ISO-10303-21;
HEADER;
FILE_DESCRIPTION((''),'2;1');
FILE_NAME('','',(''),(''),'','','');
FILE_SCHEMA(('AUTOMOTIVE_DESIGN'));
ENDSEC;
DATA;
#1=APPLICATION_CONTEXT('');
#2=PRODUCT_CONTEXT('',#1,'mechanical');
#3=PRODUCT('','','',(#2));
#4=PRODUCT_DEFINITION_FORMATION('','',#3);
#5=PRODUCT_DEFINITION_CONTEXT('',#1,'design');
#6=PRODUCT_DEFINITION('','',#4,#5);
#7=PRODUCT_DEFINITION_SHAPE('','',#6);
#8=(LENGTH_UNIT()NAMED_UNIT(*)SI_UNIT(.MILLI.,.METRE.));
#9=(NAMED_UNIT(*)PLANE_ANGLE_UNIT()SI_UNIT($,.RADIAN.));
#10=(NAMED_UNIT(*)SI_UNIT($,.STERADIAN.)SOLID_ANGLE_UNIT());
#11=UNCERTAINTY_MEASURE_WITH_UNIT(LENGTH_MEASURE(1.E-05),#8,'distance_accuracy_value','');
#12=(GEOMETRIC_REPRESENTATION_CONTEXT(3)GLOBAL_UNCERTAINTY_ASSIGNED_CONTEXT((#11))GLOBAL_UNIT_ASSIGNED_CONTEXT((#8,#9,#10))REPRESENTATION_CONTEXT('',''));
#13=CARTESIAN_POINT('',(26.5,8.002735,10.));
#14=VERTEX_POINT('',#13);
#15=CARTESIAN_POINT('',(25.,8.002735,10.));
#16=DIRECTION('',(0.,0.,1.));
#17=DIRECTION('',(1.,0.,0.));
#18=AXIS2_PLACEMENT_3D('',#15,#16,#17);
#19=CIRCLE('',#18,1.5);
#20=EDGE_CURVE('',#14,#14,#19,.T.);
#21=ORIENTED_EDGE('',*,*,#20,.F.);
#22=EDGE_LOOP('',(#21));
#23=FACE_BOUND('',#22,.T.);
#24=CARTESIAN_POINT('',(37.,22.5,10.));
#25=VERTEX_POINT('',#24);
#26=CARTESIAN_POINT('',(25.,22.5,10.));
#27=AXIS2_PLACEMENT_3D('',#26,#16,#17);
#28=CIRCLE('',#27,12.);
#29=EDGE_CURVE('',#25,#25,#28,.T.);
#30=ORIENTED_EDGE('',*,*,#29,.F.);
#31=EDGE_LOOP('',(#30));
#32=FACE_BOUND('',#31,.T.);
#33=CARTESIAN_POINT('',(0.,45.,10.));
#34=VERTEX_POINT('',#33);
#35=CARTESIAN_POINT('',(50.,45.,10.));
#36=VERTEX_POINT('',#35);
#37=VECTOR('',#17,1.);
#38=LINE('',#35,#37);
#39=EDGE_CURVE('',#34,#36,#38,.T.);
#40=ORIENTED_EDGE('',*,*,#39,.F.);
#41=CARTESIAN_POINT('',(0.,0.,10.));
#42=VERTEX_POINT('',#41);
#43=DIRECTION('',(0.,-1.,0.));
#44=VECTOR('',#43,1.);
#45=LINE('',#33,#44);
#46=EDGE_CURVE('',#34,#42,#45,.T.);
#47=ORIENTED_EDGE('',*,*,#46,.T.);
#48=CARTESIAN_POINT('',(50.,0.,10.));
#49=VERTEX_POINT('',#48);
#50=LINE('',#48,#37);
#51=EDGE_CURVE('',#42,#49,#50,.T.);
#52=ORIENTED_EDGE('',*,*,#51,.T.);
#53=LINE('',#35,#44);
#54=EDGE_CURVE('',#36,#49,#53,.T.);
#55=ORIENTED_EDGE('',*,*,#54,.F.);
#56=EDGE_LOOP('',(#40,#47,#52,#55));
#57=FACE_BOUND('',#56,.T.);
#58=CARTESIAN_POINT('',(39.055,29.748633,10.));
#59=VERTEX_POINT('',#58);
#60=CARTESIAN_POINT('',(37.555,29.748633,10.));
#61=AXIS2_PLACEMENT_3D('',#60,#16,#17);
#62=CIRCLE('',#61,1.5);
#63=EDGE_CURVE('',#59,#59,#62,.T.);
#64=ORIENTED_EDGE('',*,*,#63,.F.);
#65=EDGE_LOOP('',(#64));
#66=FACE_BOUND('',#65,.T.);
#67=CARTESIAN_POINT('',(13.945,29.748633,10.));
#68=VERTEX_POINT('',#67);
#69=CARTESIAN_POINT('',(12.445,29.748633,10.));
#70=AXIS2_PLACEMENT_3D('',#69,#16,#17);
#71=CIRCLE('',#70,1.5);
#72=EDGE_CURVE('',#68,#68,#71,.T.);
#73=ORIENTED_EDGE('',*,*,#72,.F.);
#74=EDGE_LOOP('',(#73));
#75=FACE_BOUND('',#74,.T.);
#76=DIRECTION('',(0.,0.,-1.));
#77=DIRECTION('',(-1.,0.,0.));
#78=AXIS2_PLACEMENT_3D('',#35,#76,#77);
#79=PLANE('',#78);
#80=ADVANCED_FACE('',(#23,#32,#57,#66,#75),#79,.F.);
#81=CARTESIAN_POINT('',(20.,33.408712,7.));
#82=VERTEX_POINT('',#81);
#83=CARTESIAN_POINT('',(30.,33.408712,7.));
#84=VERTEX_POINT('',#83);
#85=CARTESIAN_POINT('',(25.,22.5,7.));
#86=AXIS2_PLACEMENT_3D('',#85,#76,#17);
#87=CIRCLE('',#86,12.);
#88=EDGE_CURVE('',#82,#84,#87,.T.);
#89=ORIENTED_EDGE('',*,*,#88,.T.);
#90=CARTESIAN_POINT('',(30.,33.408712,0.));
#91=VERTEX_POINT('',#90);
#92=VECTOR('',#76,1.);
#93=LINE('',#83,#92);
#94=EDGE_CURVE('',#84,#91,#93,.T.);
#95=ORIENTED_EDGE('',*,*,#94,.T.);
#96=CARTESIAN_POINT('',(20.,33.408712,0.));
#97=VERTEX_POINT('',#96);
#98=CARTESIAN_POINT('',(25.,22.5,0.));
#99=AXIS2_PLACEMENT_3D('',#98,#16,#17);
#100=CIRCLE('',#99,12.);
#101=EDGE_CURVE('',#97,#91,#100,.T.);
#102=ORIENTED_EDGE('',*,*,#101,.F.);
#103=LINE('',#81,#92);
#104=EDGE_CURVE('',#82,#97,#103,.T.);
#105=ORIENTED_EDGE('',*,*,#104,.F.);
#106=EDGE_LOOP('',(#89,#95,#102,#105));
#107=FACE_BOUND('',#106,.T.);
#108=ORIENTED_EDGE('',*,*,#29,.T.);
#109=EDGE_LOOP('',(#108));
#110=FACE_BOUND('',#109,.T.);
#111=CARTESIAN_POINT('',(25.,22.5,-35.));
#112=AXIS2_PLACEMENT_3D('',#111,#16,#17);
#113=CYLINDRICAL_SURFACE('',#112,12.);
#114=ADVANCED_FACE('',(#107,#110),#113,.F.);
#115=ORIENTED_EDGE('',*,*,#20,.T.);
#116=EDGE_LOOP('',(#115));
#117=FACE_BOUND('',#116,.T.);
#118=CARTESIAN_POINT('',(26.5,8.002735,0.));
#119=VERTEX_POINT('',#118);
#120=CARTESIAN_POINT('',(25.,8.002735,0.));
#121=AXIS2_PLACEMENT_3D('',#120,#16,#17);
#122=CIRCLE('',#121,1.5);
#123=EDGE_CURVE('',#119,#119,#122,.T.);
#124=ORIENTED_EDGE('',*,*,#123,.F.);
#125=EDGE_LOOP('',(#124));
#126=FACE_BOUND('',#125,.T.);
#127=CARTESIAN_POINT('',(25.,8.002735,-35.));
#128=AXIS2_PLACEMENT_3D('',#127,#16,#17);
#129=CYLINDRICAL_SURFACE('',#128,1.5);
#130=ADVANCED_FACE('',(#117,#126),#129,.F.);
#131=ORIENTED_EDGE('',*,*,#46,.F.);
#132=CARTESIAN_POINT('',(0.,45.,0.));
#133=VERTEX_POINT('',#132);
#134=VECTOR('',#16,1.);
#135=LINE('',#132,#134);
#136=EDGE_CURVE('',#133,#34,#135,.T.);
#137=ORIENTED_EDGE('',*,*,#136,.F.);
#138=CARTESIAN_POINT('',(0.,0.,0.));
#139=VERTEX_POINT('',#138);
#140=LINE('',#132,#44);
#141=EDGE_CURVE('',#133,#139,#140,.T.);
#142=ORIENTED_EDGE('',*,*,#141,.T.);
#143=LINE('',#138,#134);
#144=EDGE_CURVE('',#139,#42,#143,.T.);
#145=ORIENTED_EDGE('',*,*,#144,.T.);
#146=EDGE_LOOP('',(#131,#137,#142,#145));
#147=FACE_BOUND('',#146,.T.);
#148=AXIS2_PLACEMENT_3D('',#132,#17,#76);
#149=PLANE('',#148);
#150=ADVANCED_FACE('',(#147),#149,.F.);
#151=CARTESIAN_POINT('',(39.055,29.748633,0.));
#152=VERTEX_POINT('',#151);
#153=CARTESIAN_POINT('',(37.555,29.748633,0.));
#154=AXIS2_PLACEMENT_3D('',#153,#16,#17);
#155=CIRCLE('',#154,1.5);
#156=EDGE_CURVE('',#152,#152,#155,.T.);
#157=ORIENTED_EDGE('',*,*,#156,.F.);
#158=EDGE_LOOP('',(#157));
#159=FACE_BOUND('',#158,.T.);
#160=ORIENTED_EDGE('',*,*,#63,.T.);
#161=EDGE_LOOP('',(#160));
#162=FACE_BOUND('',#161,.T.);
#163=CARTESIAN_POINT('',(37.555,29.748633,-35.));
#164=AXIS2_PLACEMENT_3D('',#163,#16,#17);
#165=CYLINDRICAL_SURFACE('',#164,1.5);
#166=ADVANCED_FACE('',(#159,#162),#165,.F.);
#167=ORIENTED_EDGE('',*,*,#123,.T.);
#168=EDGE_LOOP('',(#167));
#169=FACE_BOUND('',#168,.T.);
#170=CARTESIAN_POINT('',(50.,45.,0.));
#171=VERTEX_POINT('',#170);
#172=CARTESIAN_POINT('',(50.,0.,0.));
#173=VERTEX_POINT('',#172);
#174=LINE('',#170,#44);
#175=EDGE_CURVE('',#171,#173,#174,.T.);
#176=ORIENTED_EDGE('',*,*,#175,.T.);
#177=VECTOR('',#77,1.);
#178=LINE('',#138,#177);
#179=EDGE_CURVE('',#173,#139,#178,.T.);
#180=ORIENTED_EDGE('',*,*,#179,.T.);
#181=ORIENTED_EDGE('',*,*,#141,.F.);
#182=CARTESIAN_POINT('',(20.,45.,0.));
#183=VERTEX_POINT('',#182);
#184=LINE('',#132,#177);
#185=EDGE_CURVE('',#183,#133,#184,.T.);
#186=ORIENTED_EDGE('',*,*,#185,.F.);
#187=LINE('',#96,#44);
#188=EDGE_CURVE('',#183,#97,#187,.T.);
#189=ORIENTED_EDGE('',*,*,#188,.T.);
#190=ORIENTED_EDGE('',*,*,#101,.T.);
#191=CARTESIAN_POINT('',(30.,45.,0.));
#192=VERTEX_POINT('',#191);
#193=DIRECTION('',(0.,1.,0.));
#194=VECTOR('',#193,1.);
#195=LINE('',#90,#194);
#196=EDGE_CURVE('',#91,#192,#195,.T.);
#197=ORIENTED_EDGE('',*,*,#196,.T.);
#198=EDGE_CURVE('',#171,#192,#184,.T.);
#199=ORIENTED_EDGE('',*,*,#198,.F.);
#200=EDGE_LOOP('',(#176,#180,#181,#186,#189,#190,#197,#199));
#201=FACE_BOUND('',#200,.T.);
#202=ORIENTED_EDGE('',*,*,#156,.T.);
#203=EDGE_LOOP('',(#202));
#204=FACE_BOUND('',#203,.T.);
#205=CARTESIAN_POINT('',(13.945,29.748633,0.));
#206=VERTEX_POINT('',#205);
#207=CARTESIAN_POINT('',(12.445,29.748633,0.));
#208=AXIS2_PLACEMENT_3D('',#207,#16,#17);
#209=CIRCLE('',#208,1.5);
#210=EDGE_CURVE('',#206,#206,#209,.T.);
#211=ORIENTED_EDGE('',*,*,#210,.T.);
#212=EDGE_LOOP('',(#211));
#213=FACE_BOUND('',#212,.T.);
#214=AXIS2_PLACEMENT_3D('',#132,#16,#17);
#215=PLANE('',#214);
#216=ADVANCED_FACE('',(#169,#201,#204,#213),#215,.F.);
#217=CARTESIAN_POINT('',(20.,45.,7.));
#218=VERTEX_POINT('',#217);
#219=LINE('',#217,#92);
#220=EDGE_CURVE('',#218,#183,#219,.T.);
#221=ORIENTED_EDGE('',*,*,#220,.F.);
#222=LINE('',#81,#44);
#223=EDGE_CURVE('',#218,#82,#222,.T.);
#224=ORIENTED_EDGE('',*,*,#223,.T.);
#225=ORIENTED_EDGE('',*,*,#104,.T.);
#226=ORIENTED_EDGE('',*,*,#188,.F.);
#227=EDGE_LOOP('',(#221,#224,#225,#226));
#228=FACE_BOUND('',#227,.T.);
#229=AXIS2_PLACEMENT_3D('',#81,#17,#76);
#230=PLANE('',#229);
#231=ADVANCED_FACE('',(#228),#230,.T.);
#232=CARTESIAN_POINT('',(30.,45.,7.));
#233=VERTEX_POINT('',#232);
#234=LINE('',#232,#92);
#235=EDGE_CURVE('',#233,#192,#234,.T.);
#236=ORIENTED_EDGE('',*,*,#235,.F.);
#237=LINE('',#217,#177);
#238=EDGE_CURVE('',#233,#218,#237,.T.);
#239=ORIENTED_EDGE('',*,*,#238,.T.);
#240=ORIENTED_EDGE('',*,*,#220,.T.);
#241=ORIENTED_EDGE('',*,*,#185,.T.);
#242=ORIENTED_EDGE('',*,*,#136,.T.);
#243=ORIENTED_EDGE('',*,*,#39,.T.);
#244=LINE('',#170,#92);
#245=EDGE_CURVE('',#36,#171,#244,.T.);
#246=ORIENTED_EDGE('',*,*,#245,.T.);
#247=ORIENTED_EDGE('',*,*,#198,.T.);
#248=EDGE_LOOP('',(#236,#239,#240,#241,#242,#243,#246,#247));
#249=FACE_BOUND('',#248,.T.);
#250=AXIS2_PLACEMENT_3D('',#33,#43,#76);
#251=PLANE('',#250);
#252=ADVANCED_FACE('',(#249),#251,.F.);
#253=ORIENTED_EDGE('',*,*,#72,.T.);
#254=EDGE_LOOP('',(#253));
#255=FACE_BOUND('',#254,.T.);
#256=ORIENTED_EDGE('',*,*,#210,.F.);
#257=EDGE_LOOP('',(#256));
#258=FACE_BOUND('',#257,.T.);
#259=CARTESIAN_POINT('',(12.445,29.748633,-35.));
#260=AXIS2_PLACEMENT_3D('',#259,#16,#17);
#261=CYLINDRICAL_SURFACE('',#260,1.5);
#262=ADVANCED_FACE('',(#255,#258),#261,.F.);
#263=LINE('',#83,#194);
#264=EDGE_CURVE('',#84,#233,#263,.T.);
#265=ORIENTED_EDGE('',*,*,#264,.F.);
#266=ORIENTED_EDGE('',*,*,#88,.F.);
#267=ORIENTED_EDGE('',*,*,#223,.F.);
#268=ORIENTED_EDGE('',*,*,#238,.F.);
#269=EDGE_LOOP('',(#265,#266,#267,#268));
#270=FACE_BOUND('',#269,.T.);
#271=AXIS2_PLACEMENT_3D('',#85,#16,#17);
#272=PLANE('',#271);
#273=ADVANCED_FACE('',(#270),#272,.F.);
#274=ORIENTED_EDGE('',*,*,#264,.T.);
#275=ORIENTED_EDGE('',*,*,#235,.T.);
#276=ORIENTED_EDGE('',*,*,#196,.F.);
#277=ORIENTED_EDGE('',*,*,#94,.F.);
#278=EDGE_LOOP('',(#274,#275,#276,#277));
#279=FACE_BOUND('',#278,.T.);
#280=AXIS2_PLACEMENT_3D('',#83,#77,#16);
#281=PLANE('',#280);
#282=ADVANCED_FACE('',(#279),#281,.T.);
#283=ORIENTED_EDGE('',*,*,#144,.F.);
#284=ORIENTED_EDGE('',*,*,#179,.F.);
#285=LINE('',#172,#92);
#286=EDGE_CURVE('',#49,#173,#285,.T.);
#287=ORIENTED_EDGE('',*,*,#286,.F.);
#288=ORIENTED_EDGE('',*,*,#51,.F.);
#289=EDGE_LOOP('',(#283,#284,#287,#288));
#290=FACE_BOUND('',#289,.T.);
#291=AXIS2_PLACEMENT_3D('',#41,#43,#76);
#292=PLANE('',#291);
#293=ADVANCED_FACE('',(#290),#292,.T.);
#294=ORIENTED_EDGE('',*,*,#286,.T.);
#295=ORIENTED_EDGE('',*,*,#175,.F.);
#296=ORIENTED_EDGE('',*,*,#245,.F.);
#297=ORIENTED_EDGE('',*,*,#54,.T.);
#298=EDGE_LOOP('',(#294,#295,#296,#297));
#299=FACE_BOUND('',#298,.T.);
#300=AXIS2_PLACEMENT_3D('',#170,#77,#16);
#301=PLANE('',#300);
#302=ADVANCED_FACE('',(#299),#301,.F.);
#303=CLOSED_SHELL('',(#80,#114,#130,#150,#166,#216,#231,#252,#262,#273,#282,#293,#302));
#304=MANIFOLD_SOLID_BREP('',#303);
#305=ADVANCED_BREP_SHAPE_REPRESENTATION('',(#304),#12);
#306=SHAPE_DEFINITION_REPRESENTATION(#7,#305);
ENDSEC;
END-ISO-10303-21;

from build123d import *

# Parameters (mm, degrees)
ESQUISSE1_W      = 50
ESQUISSE1_H      = 10
EXTRUSION1_DEPTH = 45
ESQUISSE2_R      = 12
ESQUISSE2_R_2    = 1.5
EXTRUSION2_DEPTH = 45
EXTRUSION5_DEPTH = 7


with BuildPart() as part:
    # Esquisse1 → Extrusion1 (new body)
    with BuildSketch(Plane(origin=(0, 0, 0), x_dir=(1, 0, 0), z_dir=(0, 1, 0))):
        with Locations((25, -5)):
            Rectangle(ESQUISSE1_W, ESQUISSE1_H)
    extrude(amount=EXTRUSION1_DEPTH)

    # Esquisse2 → Extrusion2 (cut)
    with BuildSketch(Plane.XY.offset(10)):
        with Locations((25, 22.5)):
            Circle(ESQUISSE2_R)
        with Locations((12.445, 29.74863263)):
            Circle(ESQUISSE2_R_2)
        with Locations((37.555, 29.74863263)):
            Circle(ESQUISSE2_R_2)
        with Locations((25, 8.002734741)):
            Circle(ESQUISSE2_R_2)
    extrude(amount=-EXTRUSION2_DEPTH, mode=Mode.SUBTRACT)

    # Esquisse3 → Extrusion5 (cut)
    with BuildSketch(Plane.XY):
        with BuildLine():
            Line((30, 33.408712115), (30, 45))
            Line((30, 45), (20, 45))
            Line((20, 45), (20, 33.408712115))
            ThreePointArc((20, 33.408712115), (25, 34.5), (30, 33.408712115))
        make_face()
    extrude(amount=EXTRUSION5_DEPTH, mode=Mode.SUBTRACT)


solid = part.part
